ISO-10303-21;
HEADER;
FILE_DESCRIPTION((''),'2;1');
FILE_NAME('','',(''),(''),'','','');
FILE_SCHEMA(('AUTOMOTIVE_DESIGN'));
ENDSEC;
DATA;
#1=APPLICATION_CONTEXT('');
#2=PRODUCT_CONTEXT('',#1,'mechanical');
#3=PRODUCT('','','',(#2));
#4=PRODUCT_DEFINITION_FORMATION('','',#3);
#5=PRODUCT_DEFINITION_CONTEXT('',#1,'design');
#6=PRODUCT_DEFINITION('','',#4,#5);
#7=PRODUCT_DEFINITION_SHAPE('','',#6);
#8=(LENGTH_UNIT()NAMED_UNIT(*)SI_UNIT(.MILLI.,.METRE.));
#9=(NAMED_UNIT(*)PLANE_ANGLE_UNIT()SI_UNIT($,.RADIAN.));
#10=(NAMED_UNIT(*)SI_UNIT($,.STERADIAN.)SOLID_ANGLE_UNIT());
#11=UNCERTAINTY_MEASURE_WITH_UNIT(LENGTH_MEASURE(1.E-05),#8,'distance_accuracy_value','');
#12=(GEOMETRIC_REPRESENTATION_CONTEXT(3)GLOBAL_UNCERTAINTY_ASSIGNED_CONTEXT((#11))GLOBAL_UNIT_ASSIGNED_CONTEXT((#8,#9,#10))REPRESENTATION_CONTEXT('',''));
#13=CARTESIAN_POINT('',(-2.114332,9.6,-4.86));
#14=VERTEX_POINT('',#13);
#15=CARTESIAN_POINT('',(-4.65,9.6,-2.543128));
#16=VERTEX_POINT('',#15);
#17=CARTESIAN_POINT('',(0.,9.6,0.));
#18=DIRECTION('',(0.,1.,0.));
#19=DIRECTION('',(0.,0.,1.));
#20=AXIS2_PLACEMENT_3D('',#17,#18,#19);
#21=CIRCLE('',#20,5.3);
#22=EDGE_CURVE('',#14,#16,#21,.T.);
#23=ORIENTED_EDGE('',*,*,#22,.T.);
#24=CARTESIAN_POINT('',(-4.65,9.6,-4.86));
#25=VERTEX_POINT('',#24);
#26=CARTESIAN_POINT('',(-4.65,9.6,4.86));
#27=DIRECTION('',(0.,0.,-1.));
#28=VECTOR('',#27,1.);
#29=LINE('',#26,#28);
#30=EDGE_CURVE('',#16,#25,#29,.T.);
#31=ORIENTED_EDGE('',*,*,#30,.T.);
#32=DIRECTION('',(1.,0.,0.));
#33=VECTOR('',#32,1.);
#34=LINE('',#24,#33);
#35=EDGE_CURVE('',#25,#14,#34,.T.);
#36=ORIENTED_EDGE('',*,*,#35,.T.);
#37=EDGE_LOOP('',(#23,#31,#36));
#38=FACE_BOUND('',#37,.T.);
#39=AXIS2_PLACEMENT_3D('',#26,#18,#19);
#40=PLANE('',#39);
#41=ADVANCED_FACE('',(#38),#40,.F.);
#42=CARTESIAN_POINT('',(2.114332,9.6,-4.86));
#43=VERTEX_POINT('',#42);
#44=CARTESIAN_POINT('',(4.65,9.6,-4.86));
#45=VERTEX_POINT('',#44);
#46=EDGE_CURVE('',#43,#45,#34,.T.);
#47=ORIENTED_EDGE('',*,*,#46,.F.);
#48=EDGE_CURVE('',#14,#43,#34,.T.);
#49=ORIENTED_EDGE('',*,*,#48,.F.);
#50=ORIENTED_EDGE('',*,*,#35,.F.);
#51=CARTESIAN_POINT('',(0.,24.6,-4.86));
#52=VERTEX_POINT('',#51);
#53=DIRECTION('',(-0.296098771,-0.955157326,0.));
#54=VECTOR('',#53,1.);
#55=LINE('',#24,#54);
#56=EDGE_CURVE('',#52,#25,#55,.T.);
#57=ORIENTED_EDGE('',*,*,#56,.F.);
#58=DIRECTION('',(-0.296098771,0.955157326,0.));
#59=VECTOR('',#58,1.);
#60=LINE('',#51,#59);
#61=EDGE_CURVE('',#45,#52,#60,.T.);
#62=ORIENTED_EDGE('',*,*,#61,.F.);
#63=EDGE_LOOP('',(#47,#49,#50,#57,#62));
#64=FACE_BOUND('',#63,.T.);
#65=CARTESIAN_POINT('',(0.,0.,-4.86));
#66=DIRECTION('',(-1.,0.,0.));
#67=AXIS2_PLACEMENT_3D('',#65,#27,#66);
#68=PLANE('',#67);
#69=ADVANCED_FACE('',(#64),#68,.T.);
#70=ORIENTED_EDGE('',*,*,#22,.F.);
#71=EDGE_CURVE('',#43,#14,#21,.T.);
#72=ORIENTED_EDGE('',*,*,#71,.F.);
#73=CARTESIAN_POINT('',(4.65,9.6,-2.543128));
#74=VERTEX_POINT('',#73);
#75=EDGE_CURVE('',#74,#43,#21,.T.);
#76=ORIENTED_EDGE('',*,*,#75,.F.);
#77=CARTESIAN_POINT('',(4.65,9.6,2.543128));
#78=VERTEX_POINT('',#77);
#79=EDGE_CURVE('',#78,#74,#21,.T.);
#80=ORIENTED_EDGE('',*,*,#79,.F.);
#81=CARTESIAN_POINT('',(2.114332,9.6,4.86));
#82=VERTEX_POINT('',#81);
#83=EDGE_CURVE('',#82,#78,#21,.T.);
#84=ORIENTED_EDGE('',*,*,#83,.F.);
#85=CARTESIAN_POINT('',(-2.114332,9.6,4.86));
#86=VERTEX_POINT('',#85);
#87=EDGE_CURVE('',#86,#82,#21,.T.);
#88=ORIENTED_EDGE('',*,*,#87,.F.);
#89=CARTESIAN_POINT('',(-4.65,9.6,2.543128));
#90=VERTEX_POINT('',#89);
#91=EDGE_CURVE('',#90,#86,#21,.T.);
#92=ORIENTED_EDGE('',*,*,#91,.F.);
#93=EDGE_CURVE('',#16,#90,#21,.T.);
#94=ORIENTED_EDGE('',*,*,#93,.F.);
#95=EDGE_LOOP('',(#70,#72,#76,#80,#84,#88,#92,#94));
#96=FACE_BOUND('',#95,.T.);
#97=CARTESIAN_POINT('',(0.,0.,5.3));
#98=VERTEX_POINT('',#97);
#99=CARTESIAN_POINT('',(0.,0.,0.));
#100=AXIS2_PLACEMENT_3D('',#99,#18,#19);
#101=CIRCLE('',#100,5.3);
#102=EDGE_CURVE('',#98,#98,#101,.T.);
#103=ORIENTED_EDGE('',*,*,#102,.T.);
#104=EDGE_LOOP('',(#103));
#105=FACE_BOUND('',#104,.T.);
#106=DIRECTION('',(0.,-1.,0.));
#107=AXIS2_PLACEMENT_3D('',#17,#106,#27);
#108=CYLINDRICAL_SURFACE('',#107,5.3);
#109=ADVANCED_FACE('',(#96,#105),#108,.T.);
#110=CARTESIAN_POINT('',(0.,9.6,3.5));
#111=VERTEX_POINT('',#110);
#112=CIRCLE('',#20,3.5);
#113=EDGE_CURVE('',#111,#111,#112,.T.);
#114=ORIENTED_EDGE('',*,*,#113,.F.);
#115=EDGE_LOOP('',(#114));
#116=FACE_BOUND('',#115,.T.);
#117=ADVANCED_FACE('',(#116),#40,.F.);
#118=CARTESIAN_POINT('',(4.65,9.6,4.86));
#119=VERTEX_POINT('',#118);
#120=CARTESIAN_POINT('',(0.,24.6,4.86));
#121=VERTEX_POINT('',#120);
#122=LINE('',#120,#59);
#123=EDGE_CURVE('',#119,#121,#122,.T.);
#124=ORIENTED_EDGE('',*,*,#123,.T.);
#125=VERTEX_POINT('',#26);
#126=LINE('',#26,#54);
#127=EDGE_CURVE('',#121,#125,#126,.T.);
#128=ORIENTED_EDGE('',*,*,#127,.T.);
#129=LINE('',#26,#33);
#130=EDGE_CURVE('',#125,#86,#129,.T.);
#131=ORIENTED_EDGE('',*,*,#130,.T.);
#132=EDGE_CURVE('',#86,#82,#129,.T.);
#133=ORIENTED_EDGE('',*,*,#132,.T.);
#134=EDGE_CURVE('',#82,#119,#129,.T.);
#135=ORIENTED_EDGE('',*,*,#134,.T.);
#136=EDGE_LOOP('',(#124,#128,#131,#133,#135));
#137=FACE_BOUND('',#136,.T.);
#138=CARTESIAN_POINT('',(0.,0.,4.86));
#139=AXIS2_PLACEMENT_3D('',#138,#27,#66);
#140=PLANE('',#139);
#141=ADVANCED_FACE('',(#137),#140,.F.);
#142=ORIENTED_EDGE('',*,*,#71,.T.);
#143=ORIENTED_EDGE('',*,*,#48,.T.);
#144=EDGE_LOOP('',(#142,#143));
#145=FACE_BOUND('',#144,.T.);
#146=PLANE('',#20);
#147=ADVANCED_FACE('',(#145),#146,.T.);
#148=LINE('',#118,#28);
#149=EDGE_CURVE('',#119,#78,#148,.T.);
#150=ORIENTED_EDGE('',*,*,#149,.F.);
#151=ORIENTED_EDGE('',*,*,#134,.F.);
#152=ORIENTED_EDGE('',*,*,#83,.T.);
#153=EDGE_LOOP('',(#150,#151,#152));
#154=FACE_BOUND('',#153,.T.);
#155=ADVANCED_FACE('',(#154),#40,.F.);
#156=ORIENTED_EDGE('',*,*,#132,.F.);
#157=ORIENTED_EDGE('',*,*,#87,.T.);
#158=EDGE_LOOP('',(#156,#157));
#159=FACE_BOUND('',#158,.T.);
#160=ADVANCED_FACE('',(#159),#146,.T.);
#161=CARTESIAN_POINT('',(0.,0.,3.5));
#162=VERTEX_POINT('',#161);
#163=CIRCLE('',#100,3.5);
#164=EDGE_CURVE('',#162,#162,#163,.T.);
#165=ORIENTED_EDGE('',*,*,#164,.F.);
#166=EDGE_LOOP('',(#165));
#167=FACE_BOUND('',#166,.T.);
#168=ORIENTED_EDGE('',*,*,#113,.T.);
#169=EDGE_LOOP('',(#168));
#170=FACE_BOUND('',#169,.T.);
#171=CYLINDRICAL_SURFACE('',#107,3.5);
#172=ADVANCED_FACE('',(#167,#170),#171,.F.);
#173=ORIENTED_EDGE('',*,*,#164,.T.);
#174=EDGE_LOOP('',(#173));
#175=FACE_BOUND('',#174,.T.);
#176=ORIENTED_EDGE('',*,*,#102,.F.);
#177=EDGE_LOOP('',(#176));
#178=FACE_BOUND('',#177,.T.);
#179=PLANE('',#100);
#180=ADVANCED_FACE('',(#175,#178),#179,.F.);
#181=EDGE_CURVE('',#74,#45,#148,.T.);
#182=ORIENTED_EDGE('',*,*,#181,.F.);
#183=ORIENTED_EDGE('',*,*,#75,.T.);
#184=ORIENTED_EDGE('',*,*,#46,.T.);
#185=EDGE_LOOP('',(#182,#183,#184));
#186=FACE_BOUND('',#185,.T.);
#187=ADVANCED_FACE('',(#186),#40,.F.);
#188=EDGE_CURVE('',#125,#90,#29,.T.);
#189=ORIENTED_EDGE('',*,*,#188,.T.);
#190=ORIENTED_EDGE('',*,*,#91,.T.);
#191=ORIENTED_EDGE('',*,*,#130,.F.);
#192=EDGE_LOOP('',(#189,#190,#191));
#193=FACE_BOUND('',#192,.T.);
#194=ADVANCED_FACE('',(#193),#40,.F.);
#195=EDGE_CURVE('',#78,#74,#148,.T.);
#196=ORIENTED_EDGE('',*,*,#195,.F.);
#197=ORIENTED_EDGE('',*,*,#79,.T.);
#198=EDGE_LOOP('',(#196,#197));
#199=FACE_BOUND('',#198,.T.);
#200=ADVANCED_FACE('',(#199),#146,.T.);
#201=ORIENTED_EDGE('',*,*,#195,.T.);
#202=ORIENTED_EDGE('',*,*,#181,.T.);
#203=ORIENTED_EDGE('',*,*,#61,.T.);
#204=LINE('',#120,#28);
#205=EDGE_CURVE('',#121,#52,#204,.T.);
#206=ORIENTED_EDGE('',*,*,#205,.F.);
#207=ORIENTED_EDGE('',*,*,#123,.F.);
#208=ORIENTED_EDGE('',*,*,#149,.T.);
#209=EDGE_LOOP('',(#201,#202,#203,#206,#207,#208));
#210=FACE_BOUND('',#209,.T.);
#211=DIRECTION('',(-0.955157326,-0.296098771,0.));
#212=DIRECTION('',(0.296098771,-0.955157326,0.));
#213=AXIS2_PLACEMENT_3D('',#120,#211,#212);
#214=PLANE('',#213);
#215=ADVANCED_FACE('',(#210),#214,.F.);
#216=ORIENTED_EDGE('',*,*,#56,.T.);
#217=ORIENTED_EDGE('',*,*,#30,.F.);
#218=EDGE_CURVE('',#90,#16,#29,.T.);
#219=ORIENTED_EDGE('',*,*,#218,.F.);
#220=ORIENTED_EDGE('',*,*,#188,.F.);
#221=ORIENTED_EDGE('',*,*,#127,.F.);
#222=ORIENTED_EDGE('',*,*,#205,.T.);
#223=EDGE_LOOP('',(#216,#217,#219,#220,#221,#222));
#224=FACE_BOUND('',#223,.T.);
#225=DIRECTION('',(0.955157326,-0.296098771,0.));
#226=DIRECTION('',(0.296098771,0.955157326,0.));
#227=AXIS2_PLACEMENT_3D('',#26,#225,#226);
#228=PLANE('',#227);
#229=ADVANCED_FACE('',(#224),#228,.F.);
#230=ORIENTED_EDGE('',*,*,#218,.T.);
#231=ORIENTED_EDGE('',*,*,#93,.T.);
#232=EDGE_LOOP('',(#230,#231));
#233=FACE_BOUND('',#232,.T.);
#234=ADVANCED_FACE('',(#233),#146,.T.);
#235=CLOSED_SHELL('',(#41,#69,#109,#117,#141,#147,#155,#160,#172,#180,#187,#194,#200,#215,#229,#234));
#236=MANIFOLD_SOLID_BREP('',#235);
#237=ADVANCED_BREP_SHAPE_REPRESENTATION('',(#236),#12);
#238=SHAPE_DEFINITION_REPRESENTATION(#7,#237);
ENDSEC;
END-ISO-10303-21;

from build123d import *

# Parameters (mm, degrees)
SKETCH1_R           = 5.3
SKETCH1_R_2         = 3.5
BOSS_EXTRUDE1_DEPTH = 9.6
BOSS_EXTRUDE2_DEPTH = 4.86


with BuildPart() as part:
    # Sketch1 → Boss-Extrude1 (new body)
    with BuildSketch(Plane(origin=(0, 0, 0), x_dir=(1, 0, 0), z_dir=(0, 1, 0))):
        with Locations(Location((0, 0, 0), (0, 0, 270))):
            Circle(SKETCH1_R)
        with Locations(Location((0, 0, 0), (0, 0, 270))):
            Circle(SKETCH1_R_2, mode=Mode.SUBTRACT)
    extrude(amount=BOSS_EXTRUDE1_DEPTH)

    # Sketch2 → Boss-Extrude2 (add, symmetric)
    with BuildSketch(Plane.XY):
        Polygon((-4.65, 9.6), (4.65, 9.6), (0, 24.6), align=None)
    extrude(amount=BOSS_EXTRUDE2_DEPTH, both=True)


solid = part.part
